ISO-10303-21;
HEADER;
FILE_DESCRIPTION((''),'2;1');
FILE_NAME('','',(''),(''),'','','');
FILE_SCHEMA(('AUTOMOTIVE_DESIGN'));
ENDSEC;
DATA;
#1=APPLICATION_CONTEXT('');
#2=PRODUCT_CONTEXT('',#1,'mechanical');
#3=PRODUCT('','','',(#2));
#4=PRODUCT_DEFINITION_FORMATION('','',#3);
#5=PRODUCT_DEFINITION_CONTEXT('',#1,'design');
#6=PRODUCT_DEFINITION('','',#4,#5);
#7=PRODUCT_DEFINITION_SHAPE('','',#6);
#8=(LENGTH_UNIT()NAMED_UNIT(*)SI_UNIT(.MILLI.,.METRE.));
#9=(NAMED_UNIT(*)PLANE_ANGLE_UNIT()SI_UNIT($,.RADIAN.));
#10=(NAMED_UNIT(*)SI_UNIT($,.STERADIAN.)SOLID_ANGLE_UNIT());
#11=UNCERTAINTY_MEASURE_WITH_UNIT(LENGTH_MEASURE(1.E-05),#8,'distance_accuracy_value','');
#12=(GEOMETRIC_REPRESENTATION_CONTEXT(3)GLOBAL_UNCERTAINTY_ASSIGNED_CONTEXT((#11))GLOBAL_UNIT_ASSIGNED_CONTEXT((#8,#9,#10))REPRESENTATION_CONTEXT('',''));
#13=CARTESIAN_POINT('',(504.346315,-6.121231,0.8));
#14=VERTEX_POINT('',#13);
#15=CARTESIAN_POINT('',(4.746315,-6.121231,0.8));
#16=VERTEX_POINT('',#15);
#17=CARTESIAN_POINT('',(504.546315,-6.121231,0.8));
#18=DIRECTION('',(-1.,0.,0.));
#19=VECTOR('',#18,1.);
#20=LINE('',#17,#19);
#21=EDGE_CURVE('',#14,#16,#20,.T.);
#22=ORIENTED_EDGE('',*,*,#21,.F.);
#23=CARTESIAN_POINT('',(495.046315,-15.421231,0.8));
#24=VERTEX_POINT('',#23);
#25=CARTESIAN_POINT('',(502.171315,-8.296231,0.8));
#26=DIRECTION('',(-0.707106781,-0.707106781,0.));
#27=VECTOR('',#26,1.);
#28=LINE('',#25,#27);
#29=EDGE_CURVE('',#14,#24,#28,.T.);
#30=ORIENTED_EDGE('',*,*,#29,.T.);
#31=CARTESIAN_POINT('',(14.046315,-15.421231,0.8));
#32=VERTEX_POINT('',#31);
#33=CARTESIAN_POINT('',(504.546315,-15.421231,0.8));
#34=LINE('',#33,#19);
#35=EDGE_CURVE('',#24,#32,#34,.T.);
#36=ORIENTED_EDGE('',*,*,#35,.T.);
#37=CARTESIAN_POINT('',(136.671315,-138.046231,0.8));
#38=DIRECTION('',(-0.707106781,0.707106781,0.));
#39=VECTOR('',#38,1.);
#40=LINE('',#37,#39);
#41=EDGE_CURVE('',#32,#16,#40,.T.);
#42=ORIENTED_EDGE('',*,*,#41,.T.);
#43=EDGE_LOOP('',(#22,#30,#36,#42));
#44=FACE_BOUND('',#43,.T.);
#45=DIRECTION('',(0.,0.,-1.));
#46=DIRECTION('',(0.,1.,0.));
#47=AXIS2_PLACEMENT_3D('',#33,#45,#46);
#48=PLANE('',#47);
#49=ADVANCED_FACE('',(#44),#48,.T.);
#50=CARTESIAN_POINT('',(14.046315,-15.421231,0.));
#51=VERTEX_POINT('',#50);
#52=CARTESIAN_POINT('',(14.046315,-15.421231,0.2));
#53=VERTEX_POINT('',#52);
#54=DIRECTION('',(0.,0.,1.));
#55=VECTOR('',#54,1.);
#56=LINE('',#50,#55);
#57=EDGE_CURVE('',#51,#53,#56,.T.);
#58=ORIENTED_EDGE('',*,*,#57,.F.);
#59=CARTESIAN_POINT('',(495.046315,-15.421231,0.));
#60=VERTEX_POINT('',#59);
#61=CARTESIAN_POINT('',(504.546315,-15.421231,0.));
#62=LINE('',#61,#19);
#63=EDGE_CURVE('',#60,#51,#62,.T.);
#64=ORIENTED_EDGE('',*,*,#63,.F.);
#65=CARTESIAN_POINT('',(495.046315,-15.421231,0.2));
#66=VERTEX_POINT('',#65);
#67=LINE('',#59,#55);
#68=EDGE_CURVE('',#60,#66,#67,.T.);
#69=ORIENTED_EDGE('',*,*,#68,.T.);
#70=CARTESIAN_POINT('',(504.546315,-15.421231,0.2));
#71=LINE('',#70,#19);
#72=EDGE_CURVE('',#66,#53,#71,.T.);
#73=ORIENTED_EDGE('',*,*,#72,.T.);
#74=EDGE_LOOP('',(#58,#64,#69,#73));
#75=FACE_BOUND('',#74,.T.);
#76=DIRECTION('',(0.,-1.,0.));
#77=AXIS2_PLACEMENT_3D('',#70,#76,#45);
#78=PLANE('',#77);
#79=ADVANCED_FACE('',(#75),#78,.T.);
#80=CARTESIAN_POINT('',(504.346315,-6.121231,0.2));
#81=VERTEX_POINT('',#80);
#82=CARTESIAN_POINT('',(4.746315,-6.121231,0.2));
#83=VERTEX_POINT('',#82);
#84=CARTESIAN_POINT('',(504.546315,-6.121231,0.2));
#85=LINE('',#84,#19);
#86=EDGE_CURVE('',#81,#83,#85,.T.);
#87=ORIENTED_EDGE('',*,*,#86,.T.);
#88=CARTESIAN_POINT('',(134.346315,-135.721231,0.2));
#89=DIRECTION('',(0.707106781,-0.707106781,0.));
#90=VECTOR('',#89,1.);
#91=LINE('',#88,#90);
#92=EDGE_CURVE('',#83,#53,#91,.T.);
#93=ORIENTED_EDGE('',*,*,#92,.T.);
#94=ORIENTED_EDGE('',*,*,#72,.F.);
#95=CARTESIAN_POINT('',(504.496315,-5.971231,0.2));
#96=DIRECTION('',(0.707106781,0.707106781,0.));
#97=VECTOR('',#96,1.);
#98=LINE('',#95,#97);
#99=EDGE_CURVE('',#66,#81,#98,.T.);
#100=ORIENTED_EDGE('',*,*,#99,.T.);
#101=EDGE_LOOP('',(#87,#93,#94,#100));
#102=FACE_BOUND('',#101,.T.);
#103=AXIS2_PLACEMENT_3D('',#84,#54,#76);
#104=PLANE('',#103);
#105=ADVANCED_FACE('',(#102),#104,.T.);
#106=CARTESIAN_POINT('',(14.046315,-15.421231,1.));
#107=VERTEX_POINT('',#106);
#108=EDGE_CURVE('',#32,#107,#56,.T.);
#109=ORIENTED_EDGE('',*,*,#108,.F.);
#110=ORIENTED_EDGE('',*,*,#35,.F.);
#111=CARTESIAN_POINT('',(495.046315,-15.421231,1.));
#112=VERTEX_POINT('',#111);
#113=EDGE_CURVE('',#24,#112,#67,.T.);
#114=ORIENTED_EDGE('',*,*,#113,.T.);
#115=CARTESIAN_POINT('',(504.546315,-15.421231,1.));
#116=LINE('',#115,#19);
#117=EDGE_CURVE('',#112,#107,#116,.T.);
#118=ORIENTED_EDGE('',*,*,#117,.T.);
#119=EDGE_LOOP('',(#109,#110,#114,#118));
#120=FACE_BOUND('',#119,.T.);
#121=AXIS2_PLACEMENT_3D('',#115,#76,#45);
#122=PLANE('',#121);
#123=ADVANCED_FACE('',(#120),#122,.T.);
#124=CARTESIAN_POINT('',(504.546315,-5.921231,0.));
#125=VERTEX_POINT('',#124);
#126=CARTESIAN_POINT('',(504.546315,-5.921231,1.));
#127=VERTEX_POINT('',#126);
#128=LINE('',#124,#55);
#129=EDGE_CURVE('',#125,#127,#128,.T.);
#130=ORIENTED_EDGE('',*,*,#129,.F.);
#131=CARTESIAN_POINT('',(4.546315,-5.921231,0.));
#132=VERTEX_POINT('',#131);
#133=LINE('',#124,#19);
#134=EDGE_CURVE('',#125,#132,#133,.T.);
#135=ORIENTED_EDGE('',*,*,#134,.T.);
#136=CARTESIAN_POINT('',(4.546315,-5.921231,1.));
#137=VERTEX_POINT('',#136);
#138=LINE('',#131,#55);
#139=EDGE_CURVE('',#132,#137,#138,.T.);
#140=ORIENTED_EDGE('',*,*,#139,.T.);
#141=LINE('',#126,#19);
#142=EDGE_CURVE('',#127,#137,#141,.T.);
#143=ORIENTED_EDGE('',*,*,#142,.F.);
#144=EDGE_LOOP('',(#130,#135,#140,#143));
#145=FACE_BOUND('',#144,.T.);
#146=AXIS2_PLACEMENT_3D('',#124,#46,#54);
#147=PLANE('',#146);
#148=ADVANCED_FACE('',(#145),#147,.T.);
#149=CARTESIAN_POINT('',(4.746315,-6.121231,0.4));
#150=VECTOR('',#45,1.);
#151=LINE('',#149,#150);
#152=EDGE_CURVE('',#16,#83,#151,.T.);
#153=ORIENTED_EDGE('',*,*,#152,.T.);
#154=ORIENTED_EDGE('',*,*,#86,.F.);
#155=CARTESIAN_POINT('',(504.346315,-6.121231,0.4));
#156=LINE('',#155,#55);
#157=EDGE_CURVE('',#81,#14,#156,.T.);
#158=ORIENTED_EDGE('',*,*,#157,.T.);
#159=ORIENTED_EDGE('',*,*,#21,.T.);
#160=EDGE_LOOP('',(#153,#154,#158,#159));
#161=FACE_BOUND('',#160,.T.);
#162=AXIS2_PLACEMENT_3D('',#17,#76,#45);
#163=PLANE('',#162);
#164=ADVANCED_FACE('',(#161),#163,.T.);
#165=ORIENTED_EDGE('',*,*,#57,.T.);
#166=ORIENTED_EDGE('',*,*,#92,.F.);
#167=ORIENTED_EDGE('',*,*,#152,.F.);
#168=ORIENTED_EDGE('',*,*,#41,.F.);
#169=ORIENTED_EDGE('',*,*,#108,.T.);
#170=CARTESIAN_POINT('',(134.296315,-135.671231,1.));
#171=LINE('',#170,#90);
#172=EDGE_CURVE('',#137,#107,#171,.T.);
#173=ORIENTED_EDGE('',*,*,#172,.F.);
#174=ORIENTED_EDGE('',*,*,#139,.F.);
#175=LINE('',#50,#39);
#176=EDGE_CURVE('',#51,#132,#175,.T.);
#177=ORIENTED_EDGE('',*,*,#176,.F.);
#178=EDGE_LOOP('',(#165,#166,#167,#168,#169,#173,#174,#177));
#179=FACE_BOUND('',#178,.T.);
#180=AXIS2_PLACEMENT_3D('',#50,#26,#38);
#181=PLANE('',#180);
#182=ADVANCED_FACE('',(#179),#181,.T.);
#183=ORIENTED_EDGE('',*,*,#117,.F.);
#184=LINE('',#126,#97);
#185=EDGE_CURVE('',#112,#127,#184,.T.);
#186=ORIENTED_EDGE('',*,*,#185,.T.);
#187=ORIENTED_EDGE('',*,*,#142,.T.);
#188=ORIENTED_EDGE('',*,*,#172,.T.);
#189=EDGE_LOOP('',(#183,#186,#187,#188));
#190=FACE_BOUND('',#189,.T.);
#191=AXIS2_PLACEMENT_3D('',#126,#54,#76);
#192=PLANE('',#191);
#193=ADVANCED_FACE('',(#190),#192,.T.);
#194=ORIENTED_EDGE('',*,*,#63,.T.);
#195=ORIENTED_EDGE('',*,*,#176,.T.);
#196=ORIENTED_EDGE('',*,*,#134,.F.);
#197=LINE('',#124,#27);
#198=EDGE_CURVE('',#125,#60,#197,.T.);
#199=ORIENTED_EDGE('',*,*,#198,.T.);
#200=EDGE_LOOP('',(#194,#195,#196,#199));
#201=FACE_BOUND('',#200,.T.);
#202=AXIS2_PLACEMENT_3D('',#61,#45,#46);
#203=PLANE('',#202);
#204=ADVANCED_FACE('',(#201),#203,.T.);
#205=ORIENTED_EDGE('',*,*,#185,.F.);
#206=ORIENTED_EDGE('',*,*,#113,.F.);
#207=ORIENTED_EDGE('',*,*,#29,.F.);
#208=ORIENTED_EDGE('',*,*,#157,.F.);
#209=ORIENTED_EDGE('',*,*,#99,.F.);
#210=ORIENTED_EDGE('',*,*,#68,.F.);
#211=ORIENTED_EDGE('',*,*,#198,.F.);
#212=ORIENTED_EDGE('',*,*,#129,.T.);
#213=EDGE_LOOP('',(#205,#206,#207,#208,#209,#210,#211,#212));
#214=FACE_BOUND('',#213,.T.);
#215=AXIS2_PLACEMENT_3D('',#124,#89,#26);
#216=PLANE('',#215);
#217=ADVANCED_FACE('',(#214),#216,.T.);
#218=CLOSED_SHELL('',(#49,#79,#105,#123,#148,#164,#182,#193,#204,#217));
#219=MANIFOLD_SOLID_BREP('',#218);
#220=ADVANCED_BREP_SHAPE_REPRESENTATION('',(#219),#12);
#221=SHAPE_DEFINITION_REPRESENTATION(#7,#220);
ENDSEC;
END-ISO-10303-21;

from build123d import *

# Parameters (mm, degrees)
PAD052_DEPTH            = 500
POCKET004_DEPTH         = 1.001
POCKET005_DEPTH         = 1.001
BODY053_PITCH_ANGLE     = -90
BODY053_PLACEMENT_ANGLE = -90


with BuildPart() as part:
    # Sketch061 → Pad052 (new body)
    with BuildSketch(Plane.XZ):
        Polygon((0, 0), (0, 9.5), (1, 9.5), (1, 0), (0.8, 0), (0.8, 9.3), (0.2, 9.3), (0.2, 0), align=None)
    extrude(amount=PAD052_DEPTH)

    # Sketch060 → Pocket004 (cut, through all)
    with BuildSketch(Plane.YZ):
        Polygon((0, 0), (0, 9.5), (-9.5, 0), align=None)
    extrude(amount=POCKET004_DEPTH, mode=Mode.SUBTRACT)

    # Sketch062 → Pocket005 (cut, through all)
    with BuildSketch(Plane.YZ):
        Polygon((-500, 0), (-490.5, 0), (-500, 9.5), align=None)
    extrude(amount=POCKET005_DEPTH, mode=Mode.SUBTRACT)


with BuildPart() as part_1:
    # Body053 pitch: moved
    add(part.part.rotate(Axis((0, 0, 0), (0, 1, 0)), BODY053_PITCH_ANGLE))


with BuildPart() as part_2:
    # Body053 placement: moved
    add(part_1.part.moved(Location((504.546315, -15.421231, 0))).rotate(Axis((504.546315, -15.421231, 0), (0, 0, 1)), BODY053_PLACEMENT_ANGLE))


solid = part_2.part
